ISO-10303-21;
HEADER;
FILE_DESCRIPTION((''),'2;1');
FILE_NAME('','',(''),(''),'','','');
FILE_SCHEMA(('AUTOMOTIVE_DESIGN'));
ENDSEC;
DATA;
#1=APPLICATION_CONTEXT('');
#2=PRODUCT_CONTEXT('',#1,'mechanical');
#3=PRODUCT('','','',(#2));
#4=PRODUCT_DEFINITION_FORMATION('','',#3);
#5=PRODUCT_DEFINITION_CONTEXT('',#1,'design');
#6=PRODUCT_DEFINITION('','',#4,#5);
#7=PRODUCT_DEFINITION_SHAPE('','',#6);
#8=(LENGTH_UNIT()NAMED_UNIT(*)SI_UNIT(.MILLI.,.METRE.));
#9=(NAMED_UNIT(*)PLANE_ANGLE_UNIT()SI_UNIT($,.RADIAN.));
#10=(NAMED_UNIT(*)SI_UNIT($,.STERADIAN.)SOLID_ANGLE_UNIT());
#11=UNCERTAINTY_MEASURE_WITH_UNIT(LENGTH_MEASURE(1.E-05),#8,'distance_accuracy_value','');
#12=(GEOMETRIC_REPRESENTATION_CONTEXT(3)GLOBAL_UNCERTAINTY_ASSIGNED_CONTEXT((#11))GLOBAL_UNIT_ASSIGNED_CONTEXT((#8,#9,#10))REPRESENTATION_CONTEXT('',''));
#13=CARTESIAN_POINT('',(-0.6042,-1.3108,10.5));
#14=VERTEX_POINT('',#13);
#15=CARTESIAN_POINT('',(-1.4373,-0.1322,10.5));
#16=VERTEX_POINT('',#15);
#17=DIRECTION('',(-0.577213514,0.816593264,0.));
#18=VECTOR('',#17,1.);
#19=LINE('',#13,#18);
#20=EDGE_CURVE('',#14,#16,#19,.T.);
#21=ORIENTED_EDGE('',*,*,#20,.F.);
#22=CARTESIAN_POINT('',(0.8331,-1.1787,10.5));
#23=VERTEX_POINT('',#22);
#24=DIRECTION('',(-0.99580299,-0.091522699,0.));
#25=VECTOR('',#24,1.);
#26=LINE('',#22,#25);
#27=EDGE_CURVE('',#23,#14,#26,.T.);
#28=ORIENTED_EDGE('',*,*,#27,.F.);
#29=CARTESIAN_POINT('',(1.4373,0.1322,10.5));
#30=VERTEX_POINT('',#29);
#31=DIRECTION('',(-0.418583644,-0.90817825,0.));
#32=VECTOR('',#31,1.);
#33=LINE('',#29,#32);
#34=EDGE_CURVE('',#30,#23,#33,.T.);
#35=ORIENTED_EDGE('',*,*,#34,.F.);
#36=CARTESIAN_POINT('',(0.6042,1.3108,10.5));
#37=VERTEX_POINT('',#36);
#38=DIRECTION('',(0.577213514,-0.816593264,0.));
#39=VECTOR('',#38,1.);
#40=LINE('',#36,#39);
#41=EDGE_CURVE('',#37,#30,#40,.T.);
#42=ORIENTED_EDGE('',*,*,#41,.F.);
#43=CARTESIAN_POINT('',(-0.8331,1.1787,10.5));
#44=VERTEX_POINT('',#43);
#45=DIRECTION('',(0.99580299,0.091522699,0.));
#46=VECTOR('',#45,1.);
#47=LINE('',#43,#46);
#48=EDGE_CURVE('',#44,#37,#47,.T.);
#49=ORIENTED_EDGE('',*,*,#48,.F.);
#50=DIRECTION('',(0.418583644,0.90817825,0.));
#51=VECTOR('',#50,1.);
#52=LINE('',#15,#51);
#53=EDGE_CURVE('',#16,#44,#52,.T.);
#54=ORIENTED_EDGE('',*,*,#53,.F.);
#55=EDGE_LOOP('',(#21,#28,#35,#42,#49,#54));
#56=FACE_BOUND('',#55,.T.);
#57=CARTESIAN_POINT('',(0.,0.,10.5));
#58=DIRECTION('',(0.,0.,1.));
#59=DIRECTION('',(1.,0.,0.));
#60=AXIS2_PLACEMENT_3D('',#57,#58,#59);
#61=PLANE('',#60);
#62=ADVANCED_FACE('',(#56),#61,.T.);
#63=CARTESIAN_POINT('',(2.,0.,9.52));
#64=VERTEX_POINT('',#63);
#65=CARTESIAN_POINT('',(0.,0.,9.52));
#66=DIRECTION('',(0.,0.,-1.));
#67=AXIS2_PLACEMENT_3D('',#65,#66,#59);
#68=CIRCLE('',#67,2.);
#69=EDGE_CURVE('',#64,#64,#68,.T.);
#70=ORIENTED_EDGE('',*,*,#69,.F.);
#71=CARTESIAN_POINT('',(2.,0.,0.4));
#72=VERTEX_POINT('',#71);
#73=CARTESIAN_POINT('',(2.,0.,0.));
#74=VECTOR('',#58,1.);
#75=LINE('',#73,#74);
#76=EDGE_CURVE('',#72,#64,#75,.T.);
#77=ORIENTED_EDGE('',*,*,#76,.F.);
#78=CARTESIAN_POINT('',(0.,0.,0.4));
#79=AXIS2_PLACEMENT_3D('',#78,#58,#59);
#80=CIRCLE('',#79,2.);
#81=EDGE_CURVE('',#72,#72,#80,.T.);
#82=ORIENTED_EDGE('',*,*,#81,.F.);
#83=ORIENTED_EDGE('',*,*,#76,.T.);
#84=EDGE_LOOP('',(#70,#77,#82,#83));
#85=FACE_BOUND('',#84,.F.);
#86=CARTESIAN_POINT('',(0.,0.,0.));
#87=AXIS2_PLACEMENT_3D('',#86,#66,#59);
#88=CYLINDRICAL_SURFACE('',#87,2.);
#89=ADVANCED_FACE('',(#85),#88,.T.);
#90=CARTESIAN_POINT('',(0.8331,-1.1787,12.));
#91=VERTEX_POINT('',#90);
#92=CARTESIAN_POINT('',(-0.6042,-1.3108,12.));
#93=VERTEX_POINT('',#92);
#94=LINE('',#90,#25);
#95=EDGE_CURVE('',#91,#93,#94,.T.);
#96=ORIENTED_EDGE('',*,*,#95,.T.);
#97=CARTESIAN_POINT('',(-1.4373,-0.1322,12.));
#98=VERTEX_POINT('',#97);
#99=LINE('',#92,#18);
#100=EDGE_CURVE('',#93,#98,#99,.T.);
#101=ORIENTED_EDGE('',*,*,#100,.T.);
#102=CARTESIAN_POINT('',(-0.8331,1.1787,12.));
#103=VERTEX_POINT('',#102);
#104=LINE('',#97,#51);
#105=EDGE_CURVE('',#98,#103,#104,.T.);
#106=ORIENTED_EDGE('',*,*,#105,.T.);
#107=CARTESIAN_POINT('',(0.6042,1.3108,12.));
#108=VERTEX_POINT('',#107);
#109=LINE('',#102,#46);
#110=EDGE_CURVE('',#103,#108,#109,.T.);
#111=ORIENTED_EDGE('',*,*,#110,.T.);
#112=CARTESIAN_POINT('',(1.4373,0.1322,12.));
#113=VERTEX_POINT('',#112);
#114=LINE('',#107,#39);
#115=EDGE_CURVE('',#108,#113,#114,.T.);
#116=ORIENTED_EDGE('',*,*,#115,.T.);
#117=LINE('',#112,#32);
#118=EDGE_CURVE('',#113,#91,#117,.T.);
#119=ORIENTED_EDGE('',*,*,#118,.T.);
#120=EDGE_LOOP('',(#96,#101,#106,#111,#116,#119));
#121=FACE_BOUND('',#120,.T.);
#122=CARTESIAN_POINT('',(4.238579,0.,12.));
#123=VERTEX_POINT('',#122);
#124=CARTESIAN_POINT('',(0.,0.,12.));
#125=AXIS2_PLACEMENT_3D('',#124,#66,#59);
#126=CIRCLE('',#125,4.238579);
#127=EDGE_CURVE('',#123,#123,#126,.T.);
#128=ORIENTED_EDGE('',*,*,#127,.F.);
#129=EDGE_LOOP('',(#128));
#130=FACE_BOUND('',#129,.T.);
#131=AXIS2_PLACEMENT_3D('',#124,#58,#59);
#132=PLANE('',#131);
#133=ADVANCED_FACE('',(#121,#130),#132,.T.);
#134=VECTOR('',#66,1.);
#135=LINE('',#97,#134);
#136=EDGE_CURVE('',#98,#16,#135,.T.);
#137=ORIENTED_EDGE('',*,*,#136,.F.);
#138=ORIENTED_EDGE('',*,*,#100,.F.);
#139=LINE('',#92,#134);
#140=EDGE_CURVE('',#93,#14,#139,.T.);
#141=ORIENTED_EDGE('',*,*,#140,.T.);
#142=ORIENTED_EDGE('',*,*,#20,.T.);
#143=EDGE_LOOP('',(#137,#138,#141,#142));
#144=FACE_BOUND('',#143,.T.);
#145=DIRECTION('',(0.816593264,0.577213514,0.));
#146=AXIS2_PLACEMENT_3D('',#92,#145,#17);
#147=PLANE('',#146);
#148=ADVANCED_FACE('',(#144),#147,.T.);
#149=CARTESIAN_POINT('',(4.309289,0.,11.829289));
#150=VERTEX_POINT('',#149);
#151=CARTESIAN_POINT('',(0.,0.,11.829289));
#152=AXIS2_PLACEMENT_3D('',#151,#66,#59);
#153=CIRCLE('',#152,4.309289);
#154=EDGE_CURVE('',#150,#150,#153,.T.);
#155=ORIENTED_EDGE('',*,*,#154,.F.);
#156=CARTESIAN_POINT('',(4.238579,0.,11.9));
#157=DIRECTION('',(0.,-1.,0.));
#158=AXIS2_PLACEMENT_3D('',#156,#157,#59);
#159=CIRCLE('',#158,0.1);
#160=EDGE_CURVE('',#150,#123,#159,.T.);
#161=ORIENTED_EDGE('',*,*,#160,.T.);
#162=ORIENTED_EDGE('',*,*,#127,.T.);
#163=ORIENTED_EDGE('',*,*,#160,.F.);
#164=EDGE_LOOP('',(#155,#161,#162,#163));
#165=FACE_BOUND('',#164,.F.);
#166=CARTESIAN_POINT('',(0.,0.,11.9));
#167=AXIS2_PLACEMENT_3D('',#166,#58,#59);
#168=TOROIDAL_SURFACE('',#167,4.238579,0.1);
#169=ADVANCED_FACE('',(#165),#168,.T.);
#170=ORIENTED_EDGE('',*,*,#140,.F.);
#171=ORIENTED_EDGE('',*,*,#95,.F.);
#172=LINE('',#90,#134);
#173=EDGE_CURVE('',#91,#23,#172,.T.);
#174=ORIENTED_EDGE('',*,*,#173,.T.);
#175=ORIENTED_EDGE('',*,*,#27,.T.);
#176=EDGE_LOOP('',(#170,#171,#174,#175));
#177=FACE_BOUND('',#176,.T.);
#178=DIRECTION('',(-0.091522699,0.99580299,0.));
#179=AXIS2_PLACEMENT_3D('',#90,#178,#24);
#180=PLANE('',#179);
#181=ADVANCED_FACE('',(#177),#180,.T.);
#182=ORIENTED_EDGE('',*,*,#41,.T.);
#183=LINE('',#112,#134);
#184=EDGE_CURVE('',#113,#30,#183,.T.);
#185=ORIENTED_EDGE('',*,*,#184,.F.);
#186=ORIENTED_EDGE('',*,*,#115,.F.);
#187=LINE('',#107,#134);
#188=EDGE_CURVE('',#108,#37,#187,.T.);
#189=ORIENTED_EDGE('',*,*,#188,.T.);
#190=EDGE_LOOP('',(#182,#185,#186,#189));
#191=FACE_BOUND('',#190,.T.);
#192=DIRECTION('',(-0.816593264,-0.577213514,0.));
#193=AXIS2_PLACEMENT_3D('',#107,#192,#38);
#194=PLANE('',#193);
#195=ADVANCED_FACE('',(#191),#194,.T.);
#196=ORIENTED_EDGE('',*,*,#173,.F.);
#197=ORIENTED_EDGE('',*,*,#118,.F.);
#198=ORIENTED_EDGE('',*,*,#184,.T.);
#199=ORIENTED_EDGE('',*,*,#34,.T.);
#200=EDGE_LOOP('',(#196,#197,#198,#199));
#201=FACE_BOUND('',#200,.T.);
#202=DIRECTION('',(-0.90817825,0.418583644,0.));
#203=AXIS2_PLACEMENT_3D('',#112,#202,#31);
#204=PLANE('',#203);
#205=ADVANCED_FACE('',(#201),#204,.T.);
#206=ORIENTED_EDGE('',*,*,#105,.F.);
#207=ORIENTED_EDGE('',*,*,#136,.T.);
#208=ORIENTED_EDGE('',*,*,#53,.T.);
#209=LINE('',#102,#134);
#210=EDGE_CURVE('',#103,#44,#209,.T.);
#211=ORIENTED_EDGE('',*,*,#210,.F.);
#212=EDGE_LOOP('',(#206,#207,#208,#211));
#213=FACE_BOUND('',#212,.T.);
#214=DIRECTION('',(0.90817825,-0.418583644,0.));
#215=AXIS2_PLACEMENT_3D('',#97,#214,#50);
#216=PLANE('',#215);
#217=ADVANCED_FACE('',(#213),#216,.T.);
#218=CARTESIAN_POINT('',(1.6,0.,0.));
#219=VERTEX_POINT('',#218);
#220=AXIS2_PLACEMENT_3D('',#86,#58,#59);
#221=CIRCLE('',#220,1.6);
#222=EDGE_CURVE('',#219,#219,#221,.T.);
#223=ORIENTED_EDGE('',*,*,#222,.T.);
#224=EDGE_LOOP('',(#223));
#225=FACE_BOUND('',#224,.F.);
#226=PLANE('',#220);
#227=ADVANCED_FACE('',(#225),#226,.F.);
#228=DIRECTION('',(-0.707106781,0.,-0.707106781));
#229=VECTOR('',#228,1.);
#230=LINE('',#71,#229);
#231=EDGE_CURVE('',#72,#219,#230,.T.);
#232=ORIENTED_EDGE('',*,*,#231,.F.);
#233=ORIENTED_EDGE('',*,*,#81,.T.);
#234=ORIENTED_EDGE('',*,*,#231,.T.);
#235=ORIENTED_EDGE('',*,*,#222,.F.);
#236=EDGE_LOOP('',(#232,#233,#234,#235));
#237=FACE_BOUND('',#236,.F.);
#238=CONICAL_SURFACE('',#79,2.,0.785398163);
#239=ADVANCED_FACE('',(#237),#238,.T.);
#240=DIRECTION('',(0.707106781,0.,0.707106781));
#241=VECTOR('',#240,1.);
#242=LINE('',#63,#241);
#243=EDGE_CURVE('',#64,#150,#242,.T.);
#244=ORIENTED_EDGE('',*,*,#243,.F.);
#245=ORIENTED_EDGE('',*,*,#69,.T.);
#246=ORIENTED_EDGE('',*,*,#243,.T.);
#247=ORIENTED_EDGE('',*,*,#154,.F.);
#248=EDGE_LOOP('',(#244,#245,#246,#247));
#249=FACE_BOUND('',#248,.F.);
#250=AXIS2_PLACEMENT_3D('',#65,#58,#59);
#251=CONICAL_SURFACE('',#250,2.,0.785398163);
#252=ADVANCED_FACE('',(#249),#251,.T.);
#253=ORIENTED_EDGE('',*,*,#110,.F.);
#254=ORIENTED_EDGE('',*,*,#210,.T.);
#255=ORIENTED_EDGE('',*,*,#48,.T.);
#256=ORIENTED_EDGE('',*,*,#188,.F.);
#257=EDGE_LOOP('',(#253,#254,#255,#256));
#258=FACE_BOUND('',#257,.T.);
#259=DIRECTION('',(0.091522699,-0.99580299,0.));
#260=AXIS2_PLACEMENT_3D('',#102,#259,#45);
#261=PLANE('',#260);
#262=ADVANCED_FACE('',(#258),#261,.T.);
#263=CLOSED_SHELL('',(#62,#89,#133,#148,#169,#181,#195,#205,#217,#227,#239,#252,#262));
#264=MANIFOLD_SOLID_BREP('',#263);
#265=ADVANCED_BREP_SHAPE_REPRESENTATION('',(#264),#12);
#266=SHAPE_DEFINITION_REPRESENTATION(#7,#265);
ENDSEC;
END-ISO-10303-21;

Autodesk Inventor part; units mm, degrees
ref_plane "YZ Plane" through (0, 0, 0) normal (1, 0, 0) x (0, 1, 0)
ref_plane "XZ Plane" through (0, 0, 0) normal (0, 1, 0) x (-1, 0, 0)
ref_plane "XY Plane" through (0, 0, 0) normal (0, 0, 1) x (1, 0, 0)
sketch "Sketch1" plane through (0, 0, 0) normal (0, 0, 1) x (1, 0, 0)
  circle A0 centre (0, 0) radius 2
  dimension "Diameter" = 4
extrude "Extrusion1" add sketch "Sketch1" along normal blind 9.52
sketch "Sketch2" plane through (0, 0, 9.52) normal (0, 0, 1) x (1, 0, 0)
  circle A0 centre (0, 0) radius 2 projected
extrude "Extrusion2" add sketch "Sketch2" along normal blind 2.48 draft 45
sketch "Sketch3" plane through (0, 0, 12) normal (0, 0, 1) x (1, 0, 0)
  circle A0 centre (0, 0) radius 4.48 projected
  circle A1 centre (0, 0) radius 1.4434 construction
  line L0 (0.6042, 1.3108) -> (1.4373, 0.1322)
  line L1 (1.4373, 0.1322) -> (0.8331, -1.1787)
  line L2 (0.8331, -1.1787) -> (-0.6042, -1.3108)
  line L3 (-0.6042, -1.3108) -> (-1.4373, -0.1322)
  line L4 (-1.4373, -0.1322) -> (-0.8331, 1.1787)
  line L5 (-0.8331, 1.1787) -> (0.6042, 1.3108)
  dimension "Hex_Width" = 2.5
extrude "Extrusion3" cut sketch "Sketch3" against normal blind 1.5 contours L0 L1 L2 L3 L4 L5
thread "Thread1" size "M4x0.7" class "4g6g" standard "ANSI Metric M Profile" full length
chamfer "Chamfer2" distance 0.4 angle 45 1 edges at (-2, 0, 0)
fillet "Fillet1" radius 0.1 1 edges at (-4.48, 0, 12)
equation "\"d13\" = Chamfer"
equation "\"Thread_Length\" = 7.52"
equation "\"Chamfer\" = 0.4"
properties part number "SCREW, FLAT HD, P, 12_9, M4X0_7X12MM"
